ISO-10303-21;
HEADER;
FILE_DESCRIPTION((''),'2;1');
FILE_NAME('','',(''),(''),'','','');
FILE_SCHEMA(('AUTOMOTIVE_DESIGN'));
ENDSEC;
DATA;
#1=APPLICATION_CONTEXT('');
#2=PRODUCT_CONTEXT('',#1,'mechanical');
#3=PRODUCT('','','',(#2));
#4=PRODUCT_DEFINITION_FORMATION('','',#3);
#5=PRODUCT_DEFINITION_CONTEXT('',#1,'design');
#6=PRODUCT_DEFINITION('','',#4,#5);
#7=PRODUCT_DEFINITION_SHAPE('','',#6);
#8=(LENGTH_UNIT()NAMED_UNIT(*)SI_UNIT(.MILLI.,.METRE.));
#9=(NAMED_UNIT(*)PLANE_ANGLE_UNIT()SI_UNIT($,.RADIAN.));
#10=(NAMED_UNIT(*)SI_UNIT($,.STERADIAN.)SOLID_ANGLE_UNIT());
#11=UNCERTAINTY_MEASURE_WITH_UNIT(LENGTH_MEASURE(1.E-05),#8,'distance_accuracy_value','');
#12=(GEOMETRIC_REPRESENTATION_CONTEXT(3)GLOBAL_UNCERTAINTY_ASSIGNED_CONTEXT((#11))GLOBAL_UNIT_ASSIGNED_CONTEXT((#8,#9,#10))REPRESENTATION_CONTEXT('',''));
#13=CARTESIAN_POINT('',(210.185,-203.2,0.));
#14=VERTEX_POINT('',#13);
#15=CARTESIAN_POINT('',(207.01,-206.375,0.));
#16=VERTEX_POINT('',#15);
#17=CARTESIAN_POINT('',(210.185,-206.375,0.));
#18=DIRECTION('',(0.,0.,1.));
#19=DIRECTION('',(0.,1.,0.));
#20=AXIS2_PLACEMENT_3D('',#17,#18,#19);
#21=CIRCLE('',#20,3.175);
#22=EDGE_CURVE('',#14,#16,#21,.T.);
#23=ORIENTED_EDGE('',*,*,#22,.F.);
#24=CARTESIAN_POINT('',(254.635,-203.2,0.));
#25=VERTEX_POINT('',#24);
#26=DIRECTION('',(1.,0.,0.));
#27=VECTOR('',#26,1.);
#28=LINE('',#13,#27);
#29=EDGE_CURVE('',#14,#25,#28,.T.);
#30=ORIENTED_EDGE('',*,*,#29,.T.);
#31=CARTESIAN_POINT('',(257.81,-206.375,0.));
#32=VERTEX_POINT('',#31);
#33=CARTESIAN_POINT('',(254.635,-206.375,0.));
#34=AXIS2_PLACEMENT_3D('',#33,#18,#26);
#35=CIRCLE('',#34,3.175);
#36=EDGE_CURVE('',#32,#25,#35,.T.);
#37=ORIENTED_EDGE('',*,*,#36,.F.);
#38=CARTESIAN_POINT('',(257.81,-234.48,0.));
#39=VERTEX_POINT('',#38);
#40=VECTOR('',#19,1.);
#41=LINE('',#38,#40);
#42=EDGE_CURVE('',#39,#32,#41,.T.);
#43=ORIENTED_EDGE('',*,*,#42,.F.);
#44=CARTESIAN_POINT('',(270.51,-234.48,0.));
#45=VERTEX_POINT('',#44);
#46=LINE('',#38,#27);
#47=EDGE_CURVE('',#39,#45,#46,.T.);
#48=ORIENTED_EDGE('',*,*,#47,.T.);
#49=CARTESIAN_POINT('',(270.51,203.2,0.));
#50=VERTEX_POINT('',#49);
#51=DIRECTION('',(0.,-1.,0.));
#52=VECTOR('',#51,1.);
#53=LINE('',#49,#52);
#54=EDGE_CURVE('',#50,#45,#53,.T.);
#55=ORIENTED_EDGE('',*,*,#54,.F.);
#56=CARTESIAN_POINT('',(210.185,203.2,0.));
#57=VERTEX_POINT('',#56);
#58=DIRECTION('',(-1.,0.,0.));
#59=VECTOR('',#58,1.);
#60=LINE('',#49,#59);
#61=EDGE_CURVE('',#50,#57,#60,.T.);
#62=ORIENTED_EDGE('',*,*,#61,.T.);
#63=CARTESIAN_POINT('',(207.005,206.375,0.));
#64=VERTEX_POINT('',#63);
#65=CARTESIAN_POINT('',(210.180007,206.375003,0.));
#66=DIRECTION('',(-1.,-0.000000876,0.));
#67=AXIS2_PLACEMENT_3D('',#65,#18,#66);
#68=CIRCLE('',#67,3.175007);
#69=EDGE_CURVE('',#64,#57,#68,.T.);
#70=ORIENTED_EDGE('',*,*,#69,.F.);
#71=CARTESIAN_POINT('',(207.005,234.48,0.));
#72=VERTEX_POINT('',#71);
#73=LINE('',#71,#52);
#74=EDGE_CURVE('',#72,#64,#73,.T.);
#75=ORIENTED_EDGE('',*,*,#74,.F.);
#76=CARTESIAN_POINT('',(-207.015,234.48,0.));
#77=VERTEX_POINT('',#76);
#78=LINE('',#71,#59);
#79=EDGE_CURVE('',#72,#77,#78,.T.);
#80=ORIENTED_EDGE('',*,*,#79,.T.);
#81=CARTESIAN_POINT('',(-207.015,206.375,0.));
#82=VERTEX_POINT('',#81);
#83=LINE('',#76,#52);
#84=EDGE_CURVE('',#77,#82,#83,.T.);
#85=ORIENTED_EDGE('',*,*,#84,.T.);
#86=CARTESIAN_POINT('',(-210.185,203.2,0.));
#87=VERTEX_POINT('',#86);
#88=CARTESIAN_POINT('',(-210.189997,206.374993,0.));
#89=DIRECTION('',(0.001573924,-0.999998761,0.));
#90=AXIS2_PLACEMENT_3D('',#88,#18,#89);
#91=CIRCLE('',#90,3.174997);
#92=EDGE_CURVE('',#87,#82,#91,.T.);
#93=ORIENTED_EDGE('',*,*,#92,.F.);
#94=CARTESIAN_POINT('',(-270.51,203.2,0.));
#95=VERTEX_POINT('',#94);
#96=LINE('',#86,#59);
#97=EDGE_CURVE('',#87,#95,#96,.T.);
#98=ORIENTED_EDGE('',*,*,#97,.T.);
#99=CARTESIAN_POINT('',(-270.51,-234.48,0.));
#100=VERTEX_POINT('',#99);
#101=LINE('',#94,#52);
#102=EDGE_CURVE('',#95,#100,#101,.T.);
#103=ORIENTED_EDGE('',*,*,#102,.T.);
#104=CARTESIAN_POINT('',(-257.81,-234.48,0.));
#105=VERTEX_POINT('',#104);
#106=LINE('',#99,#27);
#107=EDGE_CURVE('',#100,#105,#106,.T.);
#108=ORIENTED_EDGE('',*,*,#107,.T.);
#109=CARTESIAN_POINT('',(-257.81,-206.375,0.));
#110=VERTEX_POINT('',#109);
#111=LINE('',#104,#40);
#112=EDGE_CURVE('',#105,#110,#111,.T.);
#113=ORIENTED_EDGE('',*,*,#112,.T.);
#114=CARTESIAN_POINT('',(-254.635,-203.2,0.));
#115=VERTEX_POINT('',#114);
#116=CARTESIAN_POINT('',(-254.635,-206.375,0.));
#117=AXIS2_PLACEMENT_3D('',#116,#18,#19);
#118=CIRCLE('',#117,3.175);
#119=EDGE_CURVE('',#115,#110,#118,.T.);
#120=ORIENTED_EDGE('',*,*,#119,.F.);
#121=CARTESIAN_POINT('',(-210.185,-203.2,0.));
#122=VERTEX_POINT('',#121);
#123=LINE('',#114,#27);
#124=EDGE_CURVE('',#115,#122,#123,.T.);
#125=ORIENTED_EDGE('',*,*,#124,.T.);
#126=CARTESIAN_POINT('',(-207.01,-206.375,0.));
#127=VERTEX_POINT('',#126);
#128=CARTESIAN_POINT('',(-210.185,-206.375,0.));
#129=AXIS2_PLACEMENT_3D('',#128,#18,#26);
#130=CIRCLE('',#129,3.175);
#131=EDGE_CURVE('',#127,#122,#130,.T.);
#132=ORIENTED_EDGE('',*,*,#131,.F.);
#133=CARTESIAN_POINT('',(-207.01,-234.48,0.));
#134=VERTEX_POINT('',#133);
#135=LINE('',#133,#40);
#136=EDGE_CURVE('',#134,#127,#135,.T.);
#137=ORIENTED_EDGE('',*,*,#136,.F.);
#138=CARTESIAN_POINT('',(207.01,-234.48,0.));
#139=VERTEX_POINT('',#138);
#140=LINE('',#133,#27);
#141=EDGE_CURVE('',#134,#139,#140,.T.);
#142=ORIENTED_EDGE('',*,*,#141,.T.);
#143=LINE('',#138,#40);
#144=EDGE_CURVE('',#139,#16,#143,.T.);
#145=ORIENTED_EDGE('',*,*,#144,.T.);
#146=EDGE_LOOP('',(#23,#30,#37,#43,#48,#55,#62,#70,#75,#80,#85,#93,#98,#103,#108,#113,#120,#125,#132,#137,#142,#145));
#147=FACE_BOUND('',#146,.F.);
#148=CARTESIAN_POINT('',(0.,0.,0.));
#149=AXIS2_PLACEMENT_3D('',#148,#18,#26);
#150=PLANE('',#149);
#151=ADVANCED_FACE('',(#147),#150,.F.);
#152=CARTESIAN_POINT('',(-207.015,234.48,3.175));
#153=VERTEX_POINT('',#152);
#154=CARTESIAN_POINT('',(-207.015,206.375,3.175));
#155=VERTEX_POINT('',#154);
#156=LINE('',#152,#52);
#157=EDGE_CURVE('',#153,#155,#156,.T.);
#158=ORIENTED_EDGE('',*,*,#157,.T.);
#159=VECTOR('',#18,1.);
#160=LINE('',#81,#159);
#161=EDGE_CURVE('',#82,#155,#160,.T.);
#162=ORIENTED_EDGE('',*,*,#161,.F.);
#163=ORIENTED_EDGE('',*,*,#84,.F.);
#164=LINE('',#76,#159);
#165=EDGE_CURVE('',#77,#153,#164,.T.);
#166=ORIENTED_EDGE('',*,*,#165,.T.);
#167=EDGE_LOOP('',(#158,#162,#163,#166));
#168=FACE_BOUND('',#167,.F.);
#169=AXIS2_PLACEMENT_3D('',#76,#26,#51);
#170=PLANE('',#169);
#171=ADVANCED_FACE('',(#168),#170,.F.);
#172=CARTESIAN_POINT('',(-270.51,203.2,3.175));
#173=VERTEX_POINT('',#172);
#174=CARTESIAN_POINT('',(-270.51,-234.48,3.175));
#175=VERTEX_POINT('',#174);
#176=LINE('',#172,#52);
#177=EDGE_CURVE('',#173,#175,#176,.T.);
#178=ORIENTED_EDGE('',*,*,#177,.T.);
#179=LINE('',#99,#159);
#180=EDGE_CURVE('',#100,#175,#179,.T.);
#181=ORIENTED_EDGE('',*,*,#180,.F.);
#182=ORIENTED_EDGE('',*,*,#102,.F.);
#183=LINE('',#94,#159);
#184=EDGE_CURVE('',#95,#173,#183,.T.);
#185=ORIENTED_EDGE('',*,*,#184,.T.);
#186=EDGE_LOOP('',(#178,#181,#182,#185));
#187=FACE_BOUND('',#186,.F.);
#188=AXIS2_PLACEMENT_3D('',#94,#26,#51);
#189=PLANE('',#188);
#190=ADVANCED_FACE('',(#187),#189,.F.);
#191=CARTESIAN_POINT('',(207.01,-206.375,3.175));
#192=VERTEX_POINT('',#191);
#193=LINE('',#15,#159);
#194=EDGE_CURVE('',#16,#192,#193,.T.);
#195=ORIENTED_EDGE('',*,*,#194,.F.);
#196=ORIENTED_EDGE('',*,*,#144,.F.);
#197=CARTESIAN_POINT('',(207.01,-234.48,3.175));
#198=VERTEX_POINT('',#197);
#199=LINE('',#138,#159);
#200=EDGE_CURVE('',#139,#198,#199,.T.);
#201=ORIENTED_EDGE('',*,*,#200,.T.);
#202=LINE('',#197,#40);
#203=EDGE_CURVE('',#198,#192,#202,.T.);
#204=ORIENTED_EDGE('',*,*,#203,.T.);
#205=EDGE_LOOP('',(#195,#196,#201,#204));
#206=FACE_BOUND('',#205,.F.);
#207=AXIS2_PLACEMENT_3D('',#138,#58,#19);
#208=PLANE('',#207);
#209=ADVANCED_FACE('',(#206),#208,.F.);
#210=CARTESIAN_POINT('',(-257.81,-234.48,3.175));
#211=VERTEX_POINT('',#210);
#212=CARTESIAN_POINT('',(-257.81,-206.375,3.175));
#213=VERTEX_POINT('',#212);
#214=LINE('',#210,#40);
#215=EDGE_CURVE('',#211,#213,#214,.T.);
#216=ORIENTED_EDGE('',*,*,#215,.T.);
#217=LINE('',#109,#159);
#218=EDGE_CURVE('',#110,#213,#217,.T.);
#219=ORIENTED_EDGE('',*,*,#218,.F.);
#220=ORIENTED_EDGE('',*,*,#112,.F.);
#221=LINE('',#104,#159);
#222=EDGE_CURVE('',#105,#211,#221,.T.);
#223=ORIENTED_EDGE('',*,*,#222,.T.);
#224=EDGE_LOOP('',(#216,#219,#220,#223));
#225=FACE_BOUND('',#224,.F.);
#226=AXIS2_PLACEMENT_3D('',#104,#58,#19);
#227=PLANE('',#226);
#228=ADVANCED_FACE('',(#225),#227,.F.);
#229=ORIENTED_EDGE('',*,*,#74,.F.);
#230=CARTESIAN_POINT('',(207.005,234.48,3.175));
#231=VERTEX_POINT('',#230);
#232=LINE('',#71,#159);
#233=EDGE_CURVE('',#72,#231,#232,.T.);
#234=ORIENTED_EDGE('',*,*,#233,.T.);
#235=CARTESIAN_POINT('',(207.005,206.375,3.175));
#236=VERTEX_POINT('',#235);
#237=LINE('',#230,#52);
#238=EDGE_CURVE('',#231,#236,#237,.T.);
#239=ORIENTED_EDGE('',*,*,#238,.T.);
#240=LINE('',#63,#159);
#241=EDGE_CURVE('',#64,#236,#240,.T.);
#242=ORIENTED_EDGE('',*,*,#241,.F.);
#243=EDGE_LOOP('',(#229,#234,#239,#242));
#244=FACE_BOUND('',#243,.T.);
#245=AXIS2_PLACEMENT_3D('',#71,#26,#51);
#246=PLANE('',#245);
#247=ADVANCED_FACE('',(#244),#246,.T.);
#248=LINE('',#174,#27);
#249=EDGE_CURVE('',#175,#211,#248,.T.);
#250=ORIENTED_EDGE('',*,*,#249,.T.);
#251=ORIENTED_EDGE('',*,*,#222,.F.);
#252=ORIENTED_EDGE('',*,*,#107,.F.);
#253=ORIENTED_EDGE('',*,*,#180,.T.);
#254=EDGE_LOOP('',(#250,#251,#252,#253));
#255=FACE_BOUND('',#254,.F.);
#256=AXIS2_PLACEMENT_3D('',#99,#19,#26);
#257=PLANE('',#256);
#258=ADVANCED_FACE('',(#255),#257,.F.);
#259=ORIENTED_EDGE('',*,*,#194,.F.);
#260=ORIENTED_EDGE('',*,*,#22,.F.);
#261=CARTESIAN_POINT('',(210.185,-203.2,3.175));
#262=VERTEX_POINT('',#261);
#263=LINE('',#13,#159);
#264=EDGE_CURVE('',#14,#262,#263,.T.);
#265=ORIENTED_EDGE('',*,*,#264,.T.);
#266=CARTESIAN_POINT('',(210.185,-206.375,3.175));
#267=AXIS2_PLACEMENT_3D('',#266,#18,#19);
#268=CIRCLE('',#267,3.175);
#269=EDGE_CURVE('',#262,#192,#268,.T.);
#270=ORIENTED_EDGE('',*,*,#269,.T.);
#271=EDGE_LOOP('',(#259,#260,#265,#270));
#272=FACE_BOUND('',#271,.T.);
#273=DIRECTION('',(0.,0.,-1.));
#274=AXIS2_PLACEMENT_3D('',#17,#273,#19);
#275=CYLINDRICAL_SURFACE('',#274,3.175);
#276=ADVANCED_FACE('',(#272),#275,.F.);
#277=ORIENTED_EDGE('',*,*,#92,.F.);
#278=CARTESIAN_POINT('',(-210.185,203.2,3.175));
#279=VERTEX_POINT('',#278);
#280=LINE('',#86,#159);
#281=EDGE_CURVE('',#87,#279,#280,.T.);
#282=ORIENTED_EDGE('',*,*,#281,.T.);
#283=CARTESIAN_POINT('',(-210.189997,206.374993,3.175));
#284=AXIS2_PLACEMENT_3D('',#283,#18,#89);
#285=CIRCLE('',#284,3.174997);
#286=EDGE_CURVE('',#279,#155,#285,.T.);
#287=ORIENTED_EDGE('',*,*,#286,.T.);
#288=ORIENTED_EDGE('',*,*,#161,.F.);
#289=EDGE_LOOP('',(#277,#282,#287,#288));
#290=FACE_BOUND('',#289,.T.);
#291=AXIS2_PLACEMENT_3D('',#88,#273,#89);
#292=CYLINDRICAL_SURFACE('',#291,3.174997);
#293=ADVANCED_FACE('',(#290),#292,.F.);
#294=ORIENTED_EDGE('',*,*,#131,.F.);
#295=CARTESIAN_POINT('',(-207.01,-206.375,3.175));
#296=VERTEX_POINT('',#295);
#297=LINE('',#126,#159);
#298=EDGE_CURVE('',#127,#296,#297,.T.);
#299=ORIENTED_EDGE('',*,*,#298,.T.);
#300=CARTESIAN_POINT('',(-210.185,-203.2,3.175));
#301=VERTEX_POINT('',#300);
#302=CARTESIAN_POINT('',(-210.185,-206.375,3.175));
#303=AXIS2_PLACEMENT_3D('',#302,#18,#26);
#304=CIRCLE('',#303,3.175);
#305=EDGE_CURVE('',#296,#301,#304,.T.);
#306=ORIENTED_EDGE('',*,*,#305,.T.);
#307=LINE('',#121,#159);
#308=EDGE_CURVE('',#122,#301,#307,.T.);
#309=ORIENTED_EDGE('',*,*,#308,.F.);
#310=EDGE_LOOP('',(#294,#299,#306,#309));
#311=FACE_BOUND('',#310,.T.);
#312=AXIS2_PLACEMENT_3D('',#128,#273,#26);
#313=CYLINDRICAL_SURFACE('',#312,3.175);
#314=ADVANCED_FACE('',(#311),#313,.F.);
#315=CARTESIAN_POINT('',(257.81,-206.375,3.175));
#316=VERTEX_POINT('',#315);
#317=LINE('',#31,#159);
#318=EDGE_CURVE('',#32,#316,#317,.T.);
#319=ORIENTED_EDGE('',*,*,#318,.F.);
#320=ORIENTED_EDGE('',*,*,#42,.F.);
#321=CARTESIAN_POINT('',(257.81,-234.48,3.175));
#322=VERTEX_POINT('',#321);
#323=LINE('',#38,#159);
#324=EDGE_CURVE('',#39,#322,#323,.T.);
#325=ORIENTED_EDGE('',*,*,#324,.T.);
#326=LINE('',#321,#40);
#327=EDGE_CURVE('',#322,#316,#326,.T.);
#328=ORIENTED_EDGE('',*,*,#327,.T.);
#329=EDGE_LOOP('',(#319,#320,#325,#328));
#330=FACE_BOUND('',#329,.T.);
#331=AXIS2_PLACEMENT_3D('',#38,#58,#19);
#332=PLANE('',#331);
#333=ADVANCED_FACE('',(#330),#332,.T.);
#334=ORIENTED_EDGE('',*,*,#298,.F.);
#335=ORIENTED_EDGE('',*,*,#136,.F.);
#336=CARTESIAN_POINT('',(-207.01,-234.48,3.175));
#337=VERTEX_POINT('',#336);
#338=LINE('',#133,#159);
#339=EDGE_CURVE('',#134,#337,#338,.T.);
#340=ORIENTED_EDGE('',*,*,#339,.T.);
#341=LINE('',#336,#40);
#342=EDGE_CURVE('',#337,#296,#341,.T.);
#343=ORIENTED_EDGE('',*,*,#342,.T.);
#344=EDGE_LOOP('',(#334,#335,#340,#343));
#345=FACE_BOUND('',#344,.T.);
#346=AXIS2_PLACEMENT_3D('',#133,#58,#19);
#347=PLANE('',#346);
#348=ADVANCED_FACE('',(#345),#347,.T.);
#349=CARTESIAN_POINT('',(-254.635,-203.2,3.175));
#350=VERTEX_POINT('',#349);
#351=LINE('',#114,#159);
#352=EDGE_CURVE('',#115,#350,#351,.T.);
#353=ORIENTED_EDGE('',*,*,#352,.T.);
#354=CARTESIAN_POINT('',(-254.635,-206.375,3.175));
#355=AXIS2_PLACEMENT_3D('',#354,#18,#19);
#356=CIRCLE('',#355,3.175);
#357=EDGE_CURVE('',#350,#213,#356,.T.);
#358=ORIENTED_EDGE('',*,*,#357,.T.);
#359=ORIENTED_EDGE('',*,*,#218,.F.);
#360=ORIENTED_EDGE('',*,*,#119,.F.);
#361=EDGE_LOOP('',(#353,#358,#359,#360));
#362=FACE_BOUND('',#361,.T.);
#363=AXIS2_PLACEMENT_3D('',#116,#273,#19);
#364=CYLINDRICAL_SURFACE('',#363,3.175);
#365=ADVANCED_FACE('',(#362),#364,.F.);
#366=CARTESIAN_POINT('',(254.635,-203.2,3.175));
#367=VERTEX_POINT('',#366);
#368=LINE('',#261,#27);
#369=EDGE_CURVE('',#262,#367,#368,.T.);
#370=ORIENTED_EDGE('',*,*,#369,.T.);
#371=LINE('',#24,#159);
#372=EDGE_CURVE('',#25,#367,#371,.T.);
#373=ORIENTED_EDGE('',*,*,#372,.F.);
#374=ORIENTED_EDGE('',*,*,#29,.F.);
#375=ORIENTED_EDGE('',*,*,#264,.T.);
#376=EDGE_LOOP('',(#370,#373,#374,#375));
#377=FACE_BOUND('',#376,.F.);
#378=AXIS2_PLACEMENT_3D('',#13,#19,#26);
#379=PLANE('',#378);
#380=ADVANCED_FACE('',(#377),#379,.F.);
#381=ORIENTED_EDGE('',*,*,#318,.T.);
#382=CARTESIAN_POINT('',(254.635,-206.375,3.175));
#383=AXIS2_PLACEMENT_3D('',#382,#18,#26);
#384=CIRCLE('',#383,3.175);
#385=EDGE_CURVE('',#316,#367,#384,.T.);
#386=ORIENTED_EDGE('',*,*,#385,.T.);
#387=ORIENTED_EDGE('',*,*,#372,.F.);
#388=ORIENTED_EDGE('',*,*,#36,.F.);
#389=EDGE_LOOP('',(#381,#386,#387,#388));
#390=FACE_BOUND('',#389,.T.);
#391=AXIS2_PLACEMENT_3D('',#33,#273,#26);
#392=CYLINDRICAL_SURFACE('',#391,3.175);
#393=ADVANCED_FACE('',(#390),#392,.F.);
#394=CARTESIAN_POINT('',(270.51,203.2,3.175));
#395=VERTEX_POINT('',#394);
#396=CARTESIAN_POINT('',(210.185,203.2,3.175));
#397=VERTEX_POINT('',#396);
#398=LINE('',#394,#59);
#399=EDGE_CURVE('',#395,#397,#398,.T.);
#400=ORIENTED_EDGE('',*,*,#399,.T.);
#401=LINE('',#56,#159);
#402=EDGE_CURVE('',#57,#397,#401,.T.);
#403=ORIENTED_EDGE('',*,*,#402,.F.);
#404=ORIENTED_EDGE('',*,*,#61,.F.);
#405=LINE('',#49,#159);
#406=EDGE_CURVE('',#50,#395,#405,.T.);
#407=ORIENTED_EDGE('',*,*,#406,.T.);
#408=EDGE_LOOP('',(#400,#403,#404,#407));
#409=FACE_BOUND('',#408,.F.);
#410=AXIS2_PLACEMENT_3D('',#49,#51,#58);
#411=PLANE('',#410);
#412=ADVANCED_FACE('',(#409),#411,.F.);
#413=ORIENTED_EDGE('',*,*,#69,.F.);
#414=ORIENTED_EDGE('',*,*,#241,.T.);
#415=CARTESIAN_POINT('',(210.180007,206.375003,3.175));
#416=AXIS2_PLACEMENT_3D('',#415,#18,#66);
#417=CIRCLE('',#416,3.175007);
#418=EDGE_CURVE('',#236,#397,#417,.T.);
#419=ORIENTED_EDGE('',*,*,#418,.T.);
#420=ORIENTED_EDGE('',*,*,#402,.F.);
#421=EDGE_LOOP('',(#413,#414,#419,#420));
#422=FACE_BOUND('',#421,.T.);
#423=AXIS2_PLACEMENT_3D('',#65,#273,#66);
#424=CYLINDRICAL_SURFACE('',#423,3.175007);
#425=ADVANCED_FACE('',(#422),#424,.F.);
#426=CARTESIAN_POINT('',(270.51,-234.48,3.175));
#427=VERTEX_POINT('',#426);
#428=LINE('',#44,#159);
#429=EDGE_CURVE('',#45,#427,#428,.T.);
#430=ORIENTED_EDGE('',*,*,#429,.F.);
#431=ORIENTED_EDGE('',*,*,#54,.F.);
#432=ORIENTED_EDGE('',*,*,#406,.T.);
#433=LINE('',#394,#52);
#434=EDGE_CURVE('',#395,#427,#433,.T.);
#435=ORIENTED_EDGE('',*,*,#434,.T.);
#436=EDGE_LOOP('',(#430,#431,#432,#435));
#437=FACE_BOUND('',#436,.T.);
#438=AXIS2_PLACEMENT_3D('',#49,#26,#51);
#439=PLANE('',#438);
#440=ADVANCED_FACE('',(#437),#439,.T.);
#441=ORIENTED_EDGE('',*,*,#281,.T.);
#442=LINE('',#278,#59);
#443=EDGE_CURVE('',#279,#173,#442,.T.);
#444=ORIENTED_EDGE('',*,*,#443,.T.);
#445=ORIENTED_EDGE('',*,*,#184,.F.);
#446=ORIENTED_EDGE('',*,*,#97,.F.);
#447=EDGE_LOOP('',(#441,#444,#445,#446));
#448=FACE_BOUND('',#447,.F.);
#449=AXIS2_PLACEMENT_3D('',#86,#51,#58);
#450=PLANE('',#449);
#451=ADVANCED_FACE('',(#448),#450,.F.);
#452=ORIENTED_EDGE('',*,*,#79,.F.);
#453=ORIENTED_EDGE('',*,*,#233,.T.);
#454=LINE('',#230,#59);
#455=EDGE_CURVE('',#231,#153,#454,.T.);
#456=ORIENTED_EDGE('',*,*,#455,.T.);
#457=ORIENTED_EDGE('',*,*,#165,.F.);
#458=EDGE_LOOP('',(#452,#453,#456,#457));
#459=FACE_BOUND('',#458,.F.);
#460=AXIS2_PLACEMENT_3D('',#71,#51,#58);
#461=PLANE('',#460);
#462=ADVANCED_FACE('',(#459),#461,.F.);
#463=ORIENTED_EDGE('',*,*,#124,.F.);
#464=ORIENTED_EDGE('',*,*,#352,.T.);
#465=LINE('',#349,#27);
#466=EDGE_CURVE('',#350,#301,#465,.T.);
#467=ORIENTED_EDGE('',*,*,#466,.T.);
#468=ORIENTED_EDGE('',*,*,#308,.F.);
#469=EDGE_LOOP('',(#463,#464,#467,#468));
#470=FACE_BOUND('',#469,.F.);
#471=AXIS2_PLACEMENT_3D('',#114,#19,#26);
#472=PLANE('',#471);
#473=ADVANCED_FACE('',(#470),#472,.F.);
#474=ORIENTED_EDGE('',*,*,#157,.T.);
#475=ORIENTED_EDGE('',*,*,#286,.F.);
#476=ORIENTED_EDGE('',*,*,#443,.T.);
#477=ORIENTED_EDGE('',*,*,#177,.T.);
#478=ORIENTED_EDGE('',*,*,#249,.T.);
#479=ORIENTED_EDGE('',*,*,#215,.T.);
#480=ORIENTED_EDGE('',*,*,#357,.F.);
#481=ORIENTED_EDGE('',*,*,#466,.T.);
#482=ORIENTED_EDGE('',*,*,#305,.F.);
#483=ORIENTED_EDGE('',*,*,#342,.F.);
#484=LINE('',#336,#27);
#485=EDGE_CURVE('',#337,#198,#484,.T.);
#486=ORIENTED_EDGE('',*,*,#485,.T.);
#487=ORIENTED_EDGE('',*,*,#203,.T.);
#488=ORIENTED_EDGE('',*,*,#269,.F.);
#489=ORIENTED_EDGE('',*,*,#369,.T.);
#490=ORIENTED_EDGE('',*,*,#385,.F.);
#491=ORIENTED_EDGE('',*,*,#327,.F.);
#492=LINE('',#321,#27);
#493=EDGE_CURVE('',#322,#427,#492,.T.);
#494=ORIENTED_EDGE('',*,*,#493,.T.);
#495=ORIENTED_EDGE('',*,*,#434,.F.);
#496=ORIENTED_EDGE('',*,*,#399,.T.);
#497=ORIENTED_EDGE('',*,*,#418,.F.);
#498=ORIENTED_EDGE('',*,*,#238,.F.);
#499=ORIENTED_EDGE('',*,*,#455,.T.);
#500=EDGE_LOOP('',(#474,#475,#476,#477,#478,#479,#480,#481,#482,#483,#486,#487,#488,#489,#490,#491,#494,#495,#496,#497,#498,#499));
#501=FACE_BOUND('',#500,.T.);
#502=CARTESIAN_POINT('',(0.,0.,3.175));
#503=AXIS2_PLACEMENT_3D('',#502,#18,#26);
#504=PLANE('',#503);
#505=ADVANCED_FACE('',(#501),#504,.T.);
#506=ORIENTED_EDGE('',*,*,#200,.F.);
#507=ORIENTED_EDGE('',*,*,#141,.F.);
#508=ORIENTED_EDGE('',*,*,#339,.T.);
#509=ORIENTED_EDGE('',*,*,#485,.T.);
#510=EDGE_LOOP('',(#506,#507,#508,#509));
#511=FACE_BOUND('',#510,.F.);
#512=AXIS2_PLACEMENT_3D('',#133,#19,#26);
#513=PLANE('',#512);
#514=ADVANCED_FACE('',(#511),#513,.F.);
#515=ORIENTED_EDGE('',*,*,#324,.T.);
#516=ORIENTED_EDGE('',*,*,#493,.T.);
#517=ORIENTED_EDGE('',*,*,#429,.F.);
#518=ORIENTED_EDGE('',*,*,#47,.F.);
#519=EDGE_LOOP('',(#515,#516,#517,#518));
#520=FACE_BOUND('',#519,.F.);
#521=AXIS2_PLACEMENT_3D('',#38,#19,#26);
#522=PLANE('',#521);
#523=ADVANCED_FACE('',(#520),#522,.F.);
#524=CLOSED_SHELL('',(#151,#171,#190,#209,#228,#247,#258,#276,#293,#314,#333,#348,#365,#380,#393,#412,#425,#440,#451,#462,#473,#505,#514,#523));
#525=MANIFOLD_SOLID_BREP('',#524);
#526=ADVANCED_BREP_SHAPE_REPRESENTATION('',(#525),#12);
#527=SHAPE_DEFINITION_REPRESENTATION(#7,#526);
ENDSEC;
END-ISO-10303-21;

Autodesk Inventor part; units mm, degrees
ref_plane "YZ Plane" through (0, 0, 0) normal (1, 0, 0) x (0, 1, 0)
ref_plane "XZ Plane" through (0, 0, 0) normal (0, 1, 0) x (-1, 0, 0)
ref_plane "XY Plane" through (0, 0, 0) normal (0, 0, 1) x (1, 0, 0)
sketch "Sketch1" plane through (0, 0, 0) normal (0, 0, 1) x (1, 0, 0)
  line L0 (270.51, 284.48) -> (-270.51, -284.48) construction
  line L1 (-270.51, 284.48) -> (270.51, -284.48) construction
  line L2 (207.005, 234.48) -> (-207.015, 234.48)
  line L3 (-210.185, 203.2) -> (-270.51, 203.2)
  arc A0 (-210.185, 203.2) -> (-207.015, 206.375) centre (-210.19, 206.375) ccw
  line L4 (207.005, 234.48) -> (207.005, 206.375)
  line L5 (270.51, 203.2) -> (210.185, 203.2)
  arc A1 (207.005, 206.375) -> (210.185, 203.2) centre (210.18, 206.375) ccw
  line L6 (-257.81, -234.48) -> (-257.81, -206.375)
  line L7 (-207.01, -234.48) -> (-207.01, -206.375)
  arc A2 (-254.635, -203.2) -> (-257.81, -206.375) centre (-254.635, -206.375) ccw
  arc A3 (-207.01, -206.375) -> (-210.185, -203.2) centre (-210.185, -206.375) ccw
  line L8 (-254.635, -203.2) -> (-210.185, -203.2)
  line L9 (207.01, -234.48) -> (207.01, -206.375)
  line L10 (257.81, -234.48) -> (257.81, -206.375)
  arc A4 (210.185, -203.2) -> (207.01, -206.375) centre (210.185, -206.375) ccw
  arc A5 (257.81, -206.375) -> (254.635, -203.2) centre (254.635, -206.375) ccw
  line L11 (210.185, -203.2) -> (254.635, -203.2)
  line L12 (270.51, 203.2) -> (270.51, -234.48)
  line L13 (257.81, -234.48) -> (270.51, -234.48)
  line L14 (-270.51, 203.2) -> (-270.51, -234.48)
  line L15 (-270.51, -234.48) -> (-257.81, -234.48)
  line L16 (-207.01, -234.48) -> (207.01, -234.48)
  line L17 (-207.015, 234.48) -> (-207.015, 206.375)
  point P0 (0, 0)
  point P1 (0, 0)
  point P2 (-207.015, 206.375)
  dimension "d14" = 414.02
  dimension "d20" = 60.325
  dimension "d22" = 28.105
  dimension "d23" = 60.325
  dimension "d28" = 44.45
  dimension "d29" = 50.8
  dimension "d34" = 437.68
  dimension "d38" = 437.68
extrude "Extrusion1" add sketch "Sketch1" along normal blind 3.175
properties part number "BK-BKT120-BasePlate-Short" material "Aluminum 6061"
